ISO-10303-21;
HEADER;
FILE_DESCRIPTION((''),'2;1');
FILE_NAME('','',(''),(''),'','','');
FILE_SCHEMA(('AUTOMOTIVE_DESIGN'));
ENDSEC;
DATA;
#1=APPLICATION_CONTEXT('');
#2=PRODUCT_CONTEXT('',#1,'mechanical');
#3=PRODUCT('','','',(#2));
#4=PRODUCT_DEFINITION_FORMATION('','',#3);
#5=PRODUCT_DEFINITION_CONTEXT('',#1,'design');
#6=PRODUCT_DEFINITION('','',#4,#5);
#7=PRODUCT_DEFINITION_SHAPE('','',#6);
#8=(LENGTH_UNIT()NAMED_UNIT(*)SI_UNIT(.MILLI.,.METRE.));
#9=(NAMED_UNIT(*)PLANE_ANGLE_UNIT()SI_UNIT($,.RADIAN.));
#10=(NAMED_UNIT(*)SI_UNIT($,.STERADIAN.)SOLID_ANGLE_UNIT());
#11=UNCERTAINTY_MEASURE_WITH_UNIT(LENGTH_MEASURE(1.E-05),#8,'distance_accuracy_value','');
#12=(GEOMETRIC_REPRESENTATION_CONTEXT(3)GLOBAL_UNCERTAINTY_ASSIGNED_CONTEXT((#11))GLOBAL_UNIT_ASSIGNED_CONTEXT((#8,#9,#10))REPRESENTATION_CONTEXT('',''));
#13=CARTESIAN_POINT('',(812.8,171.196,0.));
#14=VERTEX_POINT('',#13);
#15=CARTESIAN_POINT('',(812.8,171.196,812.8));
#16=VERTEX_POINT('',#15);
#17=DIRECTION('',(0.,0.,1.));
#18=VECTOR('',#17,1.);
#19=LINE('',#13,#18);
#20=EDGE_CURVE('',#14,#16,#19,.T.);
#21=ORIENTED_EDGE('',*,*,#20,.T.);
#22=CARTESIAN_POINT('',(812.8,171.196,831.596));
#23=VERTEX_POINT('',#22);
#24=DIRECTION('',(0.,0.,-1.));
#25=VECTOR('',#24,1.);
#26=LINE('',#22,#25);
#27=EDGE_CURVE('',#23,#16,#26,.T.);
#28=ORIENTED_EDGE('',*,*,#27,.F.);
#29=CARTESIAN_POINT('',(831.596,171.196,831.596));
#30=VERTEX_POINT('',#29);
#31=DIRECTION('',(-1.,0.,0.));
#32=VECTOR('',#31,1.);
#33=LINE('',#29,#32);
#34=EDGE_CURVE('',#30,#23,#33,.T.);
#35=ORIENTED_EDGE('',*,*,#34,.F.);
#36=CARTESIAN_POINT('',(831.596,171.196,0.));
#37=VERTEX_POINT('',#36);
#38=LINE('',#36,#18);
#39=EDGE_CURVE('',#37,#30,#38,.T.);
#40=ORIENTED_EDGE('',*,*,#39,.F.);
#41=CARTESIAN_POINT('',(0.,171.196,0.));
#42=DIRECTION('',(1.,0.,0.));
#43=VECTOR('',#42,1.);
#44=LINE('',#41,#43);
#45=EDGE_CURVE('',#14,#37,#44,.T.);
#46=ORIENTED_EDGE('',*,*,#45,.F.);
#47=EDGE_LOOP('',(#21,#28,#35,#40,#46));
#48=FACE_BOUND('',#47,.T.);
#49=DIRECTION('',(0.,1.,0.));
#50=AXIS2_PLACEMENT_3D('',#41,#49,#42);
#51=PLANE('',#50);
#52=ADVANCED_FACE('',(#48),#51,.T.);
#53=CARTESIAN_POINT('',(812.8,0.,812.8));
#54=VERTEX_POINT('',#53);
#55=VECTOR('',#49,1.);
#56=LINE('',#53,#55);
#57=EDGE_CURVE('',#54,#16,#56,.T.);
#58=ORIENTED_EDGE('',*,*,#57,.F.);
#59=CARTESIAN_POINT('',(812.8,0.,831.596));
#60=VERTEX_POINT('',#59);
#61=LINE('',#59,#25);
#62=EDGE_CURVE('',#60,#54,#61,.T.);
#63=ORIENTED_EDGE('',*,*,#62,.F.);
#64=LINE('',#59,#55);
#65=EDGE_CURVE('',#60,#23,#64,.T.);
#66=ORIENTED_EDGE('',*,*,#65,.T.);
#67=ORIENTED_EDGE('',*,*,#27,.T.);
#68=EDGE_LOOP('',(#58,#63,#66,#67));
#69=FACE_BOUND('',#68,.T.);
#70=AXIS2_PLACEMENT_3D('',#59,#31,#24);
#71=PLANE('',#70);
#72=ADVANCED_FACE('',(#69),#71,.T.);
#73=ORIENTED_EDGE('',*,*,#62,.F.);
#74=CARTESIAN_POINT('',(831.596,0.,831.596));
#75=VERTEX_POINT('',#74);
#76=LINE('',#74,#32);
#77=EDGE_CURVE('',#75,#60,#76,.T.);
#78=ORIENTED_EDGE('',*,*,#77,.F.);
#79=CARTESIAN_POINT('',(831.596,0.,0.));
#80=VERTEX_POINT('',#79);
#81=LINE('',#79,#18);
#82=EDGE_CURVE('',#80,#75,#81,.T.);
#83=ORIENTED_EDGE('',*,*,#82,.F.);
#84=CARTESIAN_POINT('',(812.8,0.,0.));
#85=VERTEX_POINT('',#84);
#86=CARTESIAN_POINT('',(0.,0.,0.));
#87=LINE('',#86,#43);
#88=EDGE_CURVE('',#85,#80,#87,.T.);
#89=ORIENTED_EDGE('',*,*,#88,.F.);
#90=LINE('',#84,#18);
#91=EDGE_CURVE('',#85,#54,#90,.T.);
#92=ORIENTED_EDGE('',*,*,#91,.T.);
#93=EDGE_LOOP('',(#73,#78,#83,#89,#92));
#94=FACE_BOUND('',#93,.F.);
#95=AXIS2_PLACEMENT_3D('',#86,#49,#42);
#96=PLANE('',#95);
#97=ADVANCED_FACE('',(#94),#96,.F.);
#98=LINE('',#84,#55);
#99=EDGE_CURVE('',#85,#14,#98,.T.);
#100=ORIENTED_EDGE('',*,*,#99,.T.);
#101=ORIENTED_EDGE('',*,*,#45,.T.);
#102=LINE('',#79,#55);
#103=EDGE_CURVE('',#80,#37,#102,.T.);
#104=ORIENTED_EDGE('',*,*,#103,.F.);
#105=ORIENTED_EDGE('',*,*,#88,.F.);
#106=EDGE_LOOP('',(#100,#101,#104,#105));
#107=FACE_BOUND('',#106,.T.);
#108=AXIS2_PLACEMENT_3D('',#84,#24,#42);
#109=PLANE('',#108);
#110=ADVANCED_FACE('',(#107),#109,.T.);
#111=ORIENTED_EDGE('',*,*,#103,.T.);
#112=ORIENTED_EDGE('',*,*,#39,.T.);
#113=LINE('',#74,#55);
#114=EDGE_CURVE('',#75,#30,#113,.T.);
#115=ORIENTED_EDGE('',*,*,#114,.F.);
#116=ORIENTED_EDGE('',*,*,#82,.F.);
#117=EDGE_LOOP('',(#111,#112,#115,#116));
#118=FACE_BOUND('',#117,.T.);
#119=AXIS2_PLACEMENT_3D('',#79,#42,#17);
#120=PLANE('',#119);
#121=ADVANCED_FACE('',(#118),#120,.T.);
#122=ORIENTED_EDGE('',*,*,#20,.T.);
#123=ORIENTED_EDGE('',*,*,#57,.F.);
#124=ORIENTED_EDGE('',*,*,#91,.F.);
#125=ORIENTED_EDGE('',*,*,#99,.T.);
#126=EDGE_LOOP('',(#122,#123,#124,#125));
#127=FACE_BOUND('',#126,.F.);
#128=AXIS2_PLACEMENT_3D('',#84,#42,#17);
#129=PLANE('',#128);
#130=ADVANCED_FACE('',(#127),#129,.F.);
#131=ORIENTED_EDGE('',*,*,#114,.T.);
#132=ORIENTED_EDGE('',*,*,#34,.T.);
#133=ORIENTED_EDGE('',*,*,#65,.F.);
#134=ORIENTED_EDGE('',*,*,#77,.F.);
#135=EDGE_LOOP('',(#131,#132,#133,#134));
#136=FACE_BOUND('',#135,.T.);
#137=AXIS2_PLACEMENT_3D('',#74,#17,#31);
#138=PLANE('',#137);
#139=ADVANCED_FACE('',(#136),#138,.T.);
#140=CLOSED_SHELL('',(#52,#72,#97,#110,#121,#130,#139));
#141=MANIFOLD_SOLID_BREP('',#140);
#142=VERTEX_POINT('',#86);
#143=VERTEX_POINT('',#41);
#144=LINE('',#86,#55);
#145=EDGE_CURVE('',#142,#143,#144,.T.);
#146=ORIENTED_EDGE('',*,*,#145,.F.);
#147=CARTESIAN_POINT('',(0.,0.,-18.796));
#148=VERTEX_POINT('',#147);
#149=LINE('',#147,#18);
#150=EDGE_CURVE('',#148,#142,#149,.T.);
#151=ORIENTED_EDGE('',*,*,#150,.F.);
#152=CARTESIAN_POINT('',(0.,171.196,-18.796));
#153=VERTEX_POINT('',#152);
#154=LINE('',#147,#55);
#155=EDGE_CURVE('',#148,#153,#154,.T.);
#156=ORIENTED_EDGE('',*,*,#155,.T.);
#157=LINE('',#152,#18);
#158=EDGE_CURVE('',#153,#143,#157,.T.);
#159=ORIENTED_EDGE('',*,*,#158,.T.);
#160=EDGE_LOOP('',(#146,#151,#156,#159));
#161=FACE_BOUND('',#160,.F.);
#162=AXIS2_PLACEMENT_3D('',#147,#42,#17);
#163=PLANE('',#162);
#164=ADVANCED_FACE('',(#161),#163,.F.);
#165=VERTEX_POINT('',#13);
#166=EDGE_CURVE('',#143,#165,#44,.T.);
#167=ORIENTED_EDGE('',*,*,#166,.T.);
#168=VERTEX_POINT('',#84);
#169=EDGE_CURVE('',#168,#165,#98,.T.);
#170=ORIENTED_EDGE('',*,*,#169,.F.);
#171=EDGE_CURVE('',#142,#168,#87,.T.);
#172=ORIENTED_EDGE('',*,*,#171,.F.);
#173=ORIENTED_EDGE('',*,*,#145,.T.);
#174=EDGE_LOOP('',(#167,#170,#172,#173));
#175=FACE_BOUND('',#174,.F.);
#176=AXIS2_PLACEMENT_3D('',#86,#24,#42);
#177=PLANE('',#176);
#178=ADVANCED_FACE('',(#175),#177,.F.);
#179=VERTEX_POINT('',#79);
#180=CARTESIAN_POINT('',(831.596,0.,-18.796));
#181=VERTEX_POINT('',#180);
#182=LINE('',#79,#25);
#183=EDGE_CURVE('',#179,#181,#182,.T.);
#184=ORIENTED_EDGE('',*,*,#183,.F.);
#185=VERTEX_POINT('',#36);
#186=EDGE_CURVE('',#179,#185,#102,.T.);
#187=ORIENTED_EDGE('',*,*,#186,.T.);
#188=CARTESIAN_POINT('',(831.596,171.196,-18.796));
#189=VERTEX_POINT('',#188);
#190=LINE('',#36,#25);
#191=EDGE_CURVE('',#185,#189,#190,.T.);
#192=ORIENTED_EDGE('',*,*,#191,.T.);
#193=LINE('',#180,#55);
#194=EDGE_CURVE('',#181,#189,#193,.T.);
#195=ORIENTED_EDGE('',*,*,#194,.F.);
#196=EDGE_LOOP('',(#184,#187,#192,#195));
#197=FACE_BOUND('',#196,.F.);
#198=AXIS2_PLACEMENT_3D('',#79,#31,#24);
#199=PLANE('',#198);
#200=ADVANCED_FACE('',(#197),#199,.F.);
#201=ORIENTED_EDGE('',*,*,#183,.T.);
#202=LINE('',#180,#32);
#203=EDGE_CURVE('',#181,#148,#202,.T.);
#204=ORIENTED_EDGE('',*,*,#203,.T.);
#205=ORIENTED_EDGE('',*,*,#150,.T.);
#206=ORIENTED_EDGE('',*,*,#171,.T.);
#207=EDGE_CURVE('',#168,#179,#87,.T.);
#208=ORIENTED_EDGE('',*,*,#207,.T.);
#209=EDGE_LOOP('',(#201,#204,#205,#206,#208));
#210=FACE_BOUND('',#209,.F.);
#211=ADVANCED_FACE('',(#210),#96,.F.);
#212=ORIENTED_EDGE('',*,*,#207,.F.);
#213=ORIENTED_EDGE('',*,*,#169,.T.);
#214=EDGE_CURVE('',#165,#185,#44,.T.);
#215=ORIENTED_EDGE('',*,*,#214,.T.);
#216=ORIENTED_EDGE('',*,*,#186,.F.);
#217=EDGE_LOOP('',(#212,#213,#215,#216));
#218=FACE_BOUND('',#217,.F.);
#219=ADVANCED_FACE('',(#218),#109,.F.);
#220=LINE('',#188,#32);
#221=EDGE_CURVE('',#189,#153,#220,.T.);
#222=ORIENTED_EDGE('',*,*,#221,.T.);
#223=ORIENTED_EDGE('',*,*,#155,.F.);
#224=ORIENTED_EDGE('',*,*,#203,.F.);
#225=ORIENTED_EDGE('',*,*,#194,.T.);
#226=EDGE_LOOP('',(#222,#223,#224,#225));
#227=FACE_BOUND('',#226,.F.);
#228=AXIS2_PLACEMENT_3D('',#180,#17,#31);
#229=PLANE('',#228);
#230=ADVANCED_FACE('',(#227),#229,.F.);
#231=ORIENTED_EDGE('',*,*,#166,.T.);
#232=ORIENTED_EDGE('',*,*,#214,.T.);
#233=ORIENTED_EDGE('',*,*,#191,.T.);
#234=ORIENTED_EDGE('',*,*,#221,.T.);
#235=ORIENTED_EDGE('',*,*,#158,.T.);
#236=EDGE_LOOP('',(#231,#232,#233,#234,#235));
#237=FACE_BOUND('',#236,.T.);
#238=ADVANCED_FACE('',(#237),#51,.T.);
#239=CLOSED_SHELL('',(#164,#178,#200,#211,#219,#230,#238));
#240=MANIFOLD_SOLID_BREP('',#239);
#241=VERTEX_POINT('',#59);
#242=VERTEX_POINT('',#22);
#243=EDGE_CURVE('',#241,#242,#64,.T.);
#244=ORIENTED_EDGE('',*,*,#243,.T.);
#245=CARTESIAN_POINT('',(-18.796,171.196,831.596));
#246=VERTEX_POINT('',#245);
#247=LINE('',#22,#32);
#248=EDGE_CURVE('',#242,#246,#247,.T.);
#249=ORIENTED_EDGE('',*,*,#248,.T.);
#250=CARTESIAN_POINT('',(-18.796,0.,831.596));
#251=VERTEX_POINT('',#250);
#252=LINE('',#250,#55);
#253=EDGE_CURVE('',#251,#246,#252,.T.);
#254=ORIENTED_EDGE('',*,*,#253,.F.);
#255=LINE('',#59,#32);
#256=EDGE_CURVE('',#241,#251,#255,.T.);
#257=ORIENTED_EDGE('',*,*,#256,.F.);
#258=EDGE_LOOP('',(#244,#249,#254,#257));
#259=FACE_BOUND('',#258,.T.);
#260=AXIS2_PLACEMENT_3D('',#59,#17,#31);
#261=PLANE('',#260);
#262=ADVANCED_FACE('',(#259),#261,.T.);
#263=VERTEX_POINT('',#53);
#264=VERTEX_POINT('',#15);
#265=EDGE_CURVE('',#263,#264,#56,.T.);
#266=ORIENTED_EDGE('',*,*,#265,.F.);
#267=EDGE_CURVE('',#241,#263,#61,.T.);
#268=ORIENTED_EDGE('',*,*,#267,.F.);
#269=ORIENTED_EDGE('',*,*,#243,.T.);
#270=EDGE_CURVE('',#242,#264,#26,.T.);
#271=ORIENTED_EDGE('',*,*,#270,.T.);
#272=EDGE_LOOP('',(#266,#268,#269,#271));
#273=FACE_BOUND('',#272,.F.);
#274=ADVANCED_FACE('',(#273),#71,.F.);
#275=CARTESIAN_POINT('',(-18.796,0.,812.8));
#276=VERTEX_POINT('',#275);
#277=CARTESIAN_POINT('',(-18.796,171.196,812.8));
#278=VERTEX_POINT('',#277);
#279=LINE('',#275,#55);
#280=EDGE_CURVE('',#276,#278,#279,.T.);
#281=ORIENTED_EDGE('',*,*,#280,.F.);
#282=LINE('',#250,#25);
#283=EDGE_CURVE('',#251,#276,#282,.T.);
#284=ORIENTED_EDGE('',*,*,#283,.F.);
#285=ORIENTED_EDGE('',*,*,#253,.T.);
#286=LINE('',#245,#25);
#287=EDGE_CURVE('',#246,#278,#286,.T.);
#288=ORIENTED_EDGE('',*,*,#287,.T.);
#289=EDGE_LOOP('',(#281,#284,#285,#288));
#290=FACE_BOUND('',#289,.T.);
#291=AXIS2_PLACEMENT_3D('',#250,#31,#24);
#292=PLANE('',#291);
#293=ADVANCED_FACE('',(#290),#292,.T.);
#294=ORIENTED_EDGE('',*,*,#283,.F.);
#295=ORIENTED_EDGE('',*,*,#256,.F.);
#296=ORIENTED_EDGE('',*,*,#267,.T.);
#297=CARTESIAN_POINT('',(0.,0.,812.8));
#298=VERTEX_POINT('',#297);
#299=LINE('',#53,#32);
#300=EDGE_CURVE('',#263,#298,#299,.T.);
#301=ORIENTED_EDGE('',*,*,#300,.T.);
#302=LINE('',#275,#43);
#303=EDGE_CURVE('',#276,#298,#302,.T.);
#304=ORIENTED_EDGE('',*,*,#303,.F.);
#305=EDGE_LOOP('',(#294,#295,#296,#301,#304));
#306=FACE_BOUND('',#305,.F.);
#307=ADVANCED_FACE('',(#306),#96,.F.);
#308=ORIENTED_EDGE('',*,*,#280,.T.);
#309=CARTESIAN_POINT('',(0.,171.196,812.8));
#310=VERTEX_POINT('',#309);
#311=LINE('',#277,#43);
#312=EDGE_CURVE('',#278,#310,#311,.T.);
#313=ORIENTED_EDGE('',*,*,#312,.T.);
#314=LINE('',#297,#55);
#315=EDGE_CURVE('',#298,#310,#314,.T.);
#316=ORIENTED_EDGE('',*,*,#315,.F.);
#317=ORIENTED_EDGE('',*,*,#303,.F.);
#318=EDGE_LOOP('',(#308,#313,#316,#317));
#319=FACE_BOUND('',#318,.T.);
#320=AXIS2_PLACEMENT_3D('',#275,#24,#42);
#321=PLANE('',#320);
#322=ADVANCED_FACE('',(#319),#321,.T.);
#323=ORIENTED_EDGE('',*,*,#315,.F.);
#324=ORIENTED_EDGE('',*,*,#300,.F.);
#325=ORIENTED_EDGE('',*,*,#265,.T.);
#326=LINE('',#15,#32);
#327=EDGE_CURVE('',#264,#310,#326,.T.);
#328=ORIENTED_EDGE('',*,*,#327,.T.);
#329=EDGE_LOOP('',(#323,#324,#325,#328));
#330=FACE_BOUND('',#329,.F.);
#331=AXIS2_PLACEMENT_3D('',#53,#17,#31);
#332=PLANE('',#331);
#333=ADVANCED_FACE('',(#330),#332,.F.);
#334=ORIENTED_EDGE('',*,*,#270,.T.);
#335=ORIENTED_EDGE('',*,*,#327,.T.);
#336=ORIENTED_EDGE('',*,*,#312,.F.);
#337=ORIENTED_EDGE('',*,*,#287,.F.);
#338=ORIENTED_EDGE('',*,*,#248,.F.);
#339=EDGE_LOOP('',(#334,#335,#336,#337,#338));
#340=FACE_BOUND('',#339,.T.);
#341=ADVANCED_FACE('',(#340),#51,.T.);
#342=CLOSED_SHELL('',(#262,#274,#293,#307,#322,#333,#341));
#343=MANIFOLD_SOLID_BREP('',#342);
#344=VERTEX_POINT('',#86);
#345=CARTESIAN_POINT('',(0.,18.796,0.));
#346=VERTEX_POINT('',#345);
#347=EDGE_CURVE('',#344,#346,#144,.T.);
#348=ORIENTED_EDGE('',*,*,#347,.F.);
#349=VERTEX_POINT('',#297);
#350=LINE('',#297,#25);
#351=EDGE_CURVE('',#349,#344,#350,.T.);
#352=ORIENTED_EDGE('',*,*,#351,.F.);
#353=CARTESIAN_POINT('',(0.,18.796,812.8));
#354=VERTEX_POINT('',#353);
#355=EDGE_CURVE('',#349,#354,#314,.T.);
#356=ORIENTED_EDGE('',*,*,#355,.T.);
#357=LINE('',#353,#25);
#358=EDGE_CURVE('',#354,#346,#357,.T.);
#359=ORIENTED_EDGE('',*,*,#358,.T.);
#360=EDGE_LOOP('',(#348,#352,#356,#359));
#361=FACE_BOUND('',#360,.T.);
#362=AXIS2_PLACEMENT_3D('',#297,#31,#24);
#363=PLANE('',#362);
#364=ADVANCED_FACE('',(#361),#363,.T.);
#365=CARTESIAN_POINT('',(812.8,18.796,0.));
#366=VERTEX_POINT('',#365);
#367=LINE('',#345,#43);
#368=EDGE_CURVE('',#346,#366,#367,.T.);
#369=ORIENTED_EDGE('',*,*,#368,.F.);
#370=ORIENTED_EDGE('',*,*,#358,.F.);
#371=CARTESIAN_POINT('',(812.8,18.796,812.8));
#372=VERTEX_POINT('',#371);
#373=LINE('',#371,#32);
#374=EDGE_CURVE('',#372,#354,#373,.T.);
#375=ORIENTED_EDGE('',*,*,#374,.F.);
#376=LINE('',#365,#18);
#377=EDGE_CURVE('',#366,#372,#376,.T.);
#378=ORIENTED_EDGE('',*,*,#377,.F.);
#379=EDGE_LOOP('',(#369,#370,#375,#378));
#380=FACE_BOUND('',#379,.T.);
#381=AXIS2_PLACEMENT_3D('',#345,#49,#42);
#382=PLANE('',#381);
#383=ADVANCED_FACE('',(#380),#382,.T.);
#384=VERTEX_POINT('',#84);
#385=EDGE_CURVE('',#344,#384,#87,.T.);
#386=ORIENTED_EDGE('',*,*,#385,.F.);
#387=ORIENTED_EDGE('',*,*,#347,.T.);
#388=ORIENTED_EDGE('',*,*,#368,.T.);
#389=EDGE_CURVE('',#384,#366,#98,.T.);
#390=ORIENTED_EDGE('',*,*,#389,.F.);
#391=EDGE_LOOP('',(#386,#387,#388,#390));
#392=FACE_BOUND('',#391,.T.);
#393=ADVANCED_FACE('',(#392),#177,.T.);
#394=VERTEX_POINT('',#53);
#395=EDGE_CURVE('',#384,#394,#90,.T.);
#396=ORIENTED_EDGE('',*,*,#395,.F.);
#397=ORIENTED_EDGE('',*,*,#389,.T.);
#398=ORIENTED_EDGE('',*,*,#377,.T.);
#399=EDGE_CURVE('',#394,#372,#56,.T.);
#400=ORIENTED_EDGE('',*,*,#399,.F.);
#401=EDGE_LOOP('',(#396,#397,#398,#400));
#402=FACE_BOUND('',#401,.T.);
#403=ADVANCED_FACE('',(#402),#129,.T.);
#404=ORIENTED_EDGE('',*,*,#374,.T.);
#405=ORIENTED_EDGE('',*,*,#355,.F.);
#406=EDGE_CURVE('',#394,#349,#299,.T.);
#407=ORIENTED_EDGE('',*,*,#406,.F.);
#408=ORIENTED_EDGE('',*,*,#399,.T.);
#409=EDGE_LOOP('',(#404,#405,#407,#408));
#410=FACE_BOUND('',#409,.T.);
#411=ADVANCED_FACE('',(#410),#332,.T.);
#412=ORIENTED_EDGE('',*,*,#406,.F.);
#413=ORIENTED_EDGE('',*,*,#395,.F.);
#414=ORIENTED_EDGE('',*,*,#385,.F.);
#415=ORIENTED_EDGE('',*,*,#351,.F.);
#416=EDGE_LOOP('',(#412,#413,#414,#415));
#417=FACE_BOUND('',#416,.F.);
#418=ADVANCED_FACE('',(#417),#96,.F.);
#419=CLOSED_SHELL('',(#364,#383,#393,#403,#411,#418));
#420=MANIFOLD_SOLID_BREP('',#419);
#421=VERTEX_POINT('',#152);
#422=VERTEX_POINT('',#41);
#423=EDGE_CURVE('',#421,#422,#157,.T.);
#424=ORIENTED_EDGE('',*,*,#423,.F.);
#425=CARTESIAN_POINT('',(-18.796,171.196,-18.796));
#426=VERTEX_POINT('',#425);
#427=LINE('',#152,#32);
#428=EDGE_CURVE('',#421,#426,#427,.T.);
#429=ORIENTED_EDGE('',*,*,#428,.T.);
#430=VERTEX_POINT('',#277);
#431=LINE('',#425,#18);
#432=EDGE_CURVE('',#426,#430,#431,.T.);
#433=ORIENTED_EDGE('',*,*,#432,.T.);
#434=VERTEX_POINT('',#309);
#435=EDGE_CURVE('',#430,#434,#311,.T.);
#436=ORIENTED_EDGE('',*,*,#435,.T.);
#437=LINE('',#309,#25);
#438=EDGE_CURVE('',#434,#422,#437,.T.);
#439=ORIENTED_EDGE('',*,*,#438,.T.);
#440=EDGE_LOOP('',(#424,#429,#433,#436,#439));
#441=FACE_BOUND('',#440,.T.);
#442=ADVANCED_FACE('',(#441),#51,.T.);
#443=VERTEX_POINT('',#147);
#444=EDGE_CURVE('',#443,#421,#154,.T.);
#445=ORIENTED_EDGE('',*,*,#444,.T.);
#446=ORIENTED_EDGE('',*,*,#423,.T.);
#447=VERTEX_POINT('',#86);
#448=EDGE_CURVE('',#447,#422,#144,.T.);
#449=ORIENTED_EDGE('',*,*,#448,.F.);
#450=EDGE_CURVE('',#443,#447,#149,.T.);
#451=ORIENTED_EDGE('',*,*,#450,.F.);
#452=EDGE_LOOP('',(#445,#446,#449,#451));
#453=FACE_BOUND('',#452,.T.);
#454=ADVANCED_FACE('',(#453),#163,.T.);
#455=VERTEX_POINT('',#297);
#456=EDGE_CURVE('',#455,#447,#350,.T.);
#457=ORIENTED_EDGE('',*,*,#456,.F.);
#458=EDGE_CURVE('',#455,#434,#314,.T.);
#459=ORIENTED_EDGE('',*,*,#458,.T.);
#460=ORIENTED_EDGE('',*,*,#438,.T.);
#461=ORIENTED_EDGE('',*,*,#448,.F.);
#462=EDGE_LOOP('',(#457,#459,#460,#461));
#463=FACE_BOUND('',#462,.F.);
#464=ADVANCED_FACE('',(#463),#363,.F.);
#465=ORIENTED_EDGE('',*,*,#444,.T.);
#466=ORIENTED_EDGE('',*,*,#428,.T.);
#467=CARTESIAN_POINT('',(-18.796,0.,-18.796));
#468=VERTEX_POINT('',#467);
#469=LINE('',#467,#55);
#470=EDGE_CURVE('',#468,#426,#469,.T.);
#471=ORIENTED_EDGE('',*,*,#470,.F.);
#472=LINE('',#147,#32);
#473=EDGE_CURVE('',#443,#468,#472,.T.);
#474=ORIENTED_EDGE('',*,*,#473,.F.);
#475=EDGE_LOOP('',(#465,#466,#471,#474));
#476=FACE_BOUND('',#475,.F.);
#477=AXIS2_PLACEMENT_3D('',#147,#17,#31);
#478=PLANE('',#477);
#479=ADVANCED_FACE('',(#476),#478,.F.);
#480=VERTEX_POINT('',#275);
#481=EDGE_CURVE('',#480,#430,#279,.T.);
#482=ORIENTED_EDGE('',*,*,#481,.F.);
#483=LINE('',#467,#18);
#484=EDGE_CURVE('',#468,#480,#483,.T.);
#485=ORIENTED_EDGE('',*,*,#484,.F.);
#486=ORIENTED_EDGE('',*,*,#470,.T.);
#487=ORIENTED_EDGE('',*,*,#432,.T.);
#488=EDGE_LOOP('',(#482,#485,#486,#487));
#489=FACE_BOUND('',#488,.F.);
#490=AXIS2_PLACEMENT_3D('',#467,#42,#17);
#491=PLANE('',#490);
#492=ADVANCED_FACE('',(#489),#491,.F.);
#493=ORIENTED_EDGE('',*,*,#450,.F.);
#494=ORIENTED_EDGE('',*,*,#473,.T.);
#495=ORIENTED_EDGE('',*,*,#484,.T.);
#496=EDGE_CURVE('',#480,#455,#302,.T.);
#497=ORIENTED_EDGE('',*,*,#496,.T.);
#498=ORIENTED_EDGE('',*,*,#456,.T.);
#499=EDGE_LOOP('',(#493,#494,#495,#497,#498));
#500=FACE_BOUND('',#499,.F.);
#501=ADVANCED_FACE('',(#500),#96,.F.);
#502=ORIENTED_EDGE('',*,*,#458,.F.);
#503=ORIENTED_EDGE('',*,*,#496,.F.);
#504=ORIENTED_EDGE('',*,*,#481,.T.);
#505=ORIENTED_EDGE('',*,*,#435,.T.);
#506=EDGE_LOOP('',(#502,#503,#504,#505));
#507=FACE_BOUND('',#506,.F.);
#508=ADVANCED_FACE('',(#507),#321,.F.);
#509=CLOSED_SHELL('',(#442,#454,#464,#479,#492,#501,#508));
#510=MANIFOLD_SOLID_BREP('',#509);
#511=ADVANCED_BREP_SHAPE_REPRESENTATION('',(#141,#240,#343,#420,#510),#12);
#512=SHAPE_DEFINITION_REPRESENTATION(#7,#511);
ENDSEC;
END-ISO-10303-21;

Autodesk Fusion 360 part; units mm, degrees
sketch "Sketch1" plane through (0, 0, 0) normal (0, 1, 0) x (1, 0, 0)
  line L0 (0, 0) -> (812.8, 0)
  line L1 (812.8, 0) -> (812.8, -812.8)
  line L2 (812.8, -812.8) -> (0, -812.8)
  line L3 (0, -812.8) -> (0, 0)
  line L4 (0, 0) -> (831.596, 0)
  line L5 (831.596, 0) -> (831.596, 18.796)
  line L6 (831.596, 18.796) -> (0, 18.796)
  line L7 (0, 18.796) -> (0, 0)
  line L8 (812.8, 0) -> (831.596, 0)
  line L9 (831.596, 0) -> (831.596, -831.596)
  line L10 (831.596, -831.596) -> (812.8, -831.596)
  line L11 (812.8, -831.596) -> (812.8, 0)
  line L12 (812.8, -831.596) -> (-18.796, -831.596)
  line L13 (-18.796, -831.596) -> (-18.796, -812.8)
  line L14 (-18.796, -812.8) -> (812.8, -812.8)
  line L15 (812.8, -812.8) -> (812.8, -831.596)
  line L16 (-18.796, -812.8) -> (0, -812.8)
  line L17 (0, -812.8) -> (0, 18.796)
  line L18 (0, 18.796) -> (-18.796, 18.796)
  line L19 (-18.796, 18.796) -> (-18.796, -812.8)
  dimension "d5" = 812.8
  dimension "d6" = 812.8
  dimension "d7" = 831.596
  dimension "d8" = 18.796
  dimension "d9" = 18.796
  dimension "d10" = 831.596
  dimension "d11" = 831.596
  dimension "d12" = 18.796
  dimension "d13" = 18.796
  dimension "d14" = 831.596
extrude "Extrude1" add sketch "Sketch1" along normal blind 18.796 contours L0 L1 L2 L3 L4 L11 L14 L17 makes body 1 in component "Base"
extrude "Extrude1'" add sketch "Sketch1" along normal blind 171.196 separate body contours L0 L4 L5 L6 L7 L8 L17 makes body 2 in component "width1"
extrude "Extrude1''" add sketch "Sketch1" along normal blind 171.196 separate body contours L3 L7 L14 L16 L17 L18 L19 makes body 3 in component "length1"
extrude "Extrude1'''" add sketch "Sketch1" along normal blind 171.196 separate body contours L2 L11 L12 L13 L14 L15 L16 makes body 4 in component "width2"
extrude "Extrude1''''" add sketch "Sketch1" along normal blind 171.196 separate body contours L1 L4 L8 L9 L10 L11 L15 makes body 5 in component "length2"
component "Base" placed x (1, 0, 0) y (0, 1, 0) z (0, 0, 1) at (0, 0, 0)
component "width1" placed x (1, 0, 0) y (0, 1, 0) z (0, 0, 1) at (0, 0, 0)
component "length1" placed x (1, 0, 0) y (0, 1, 0) z (0, 0, 1) at (0, 0, 0)
component "width2" placed x (1, 0, 0) y (0, 1, 0) z (0, 0, 1) at (0, 0, 0)
component "length2" placed x (1, 0, 0) y (0, 1, 0) z (0, 0, 1) at (0, 0, 0)
equation "projectWidth = 32 in"
equation "projectLength = 32 in"
equation "materialThickness = 0.74 in"
equation "pourThickness = 5 in + materialThickness + headroom"
equation "d5 = projectWidth"
equation "d6 = projectLength"
equation "d7 = projectWidth + materialThickness"
equation "d8 = materialThickness"
equation "d9 = materialThickness"
equation "d10 = projectLength + materialThickness"
equation "d11 = projectWidth + materialThickness"
equation "d12 = materialThickness"
equation "d13 = materialThickness"
equation "d14 = projectLength + materialThickness"
equation "d15 = materialThickness"
equation "d17 = pourThickness"
equation "d19 = pourThickness"
equation "d21 = pourThickness"
equation "d23 = pourThickness"
equation "headroom = 1 in"
